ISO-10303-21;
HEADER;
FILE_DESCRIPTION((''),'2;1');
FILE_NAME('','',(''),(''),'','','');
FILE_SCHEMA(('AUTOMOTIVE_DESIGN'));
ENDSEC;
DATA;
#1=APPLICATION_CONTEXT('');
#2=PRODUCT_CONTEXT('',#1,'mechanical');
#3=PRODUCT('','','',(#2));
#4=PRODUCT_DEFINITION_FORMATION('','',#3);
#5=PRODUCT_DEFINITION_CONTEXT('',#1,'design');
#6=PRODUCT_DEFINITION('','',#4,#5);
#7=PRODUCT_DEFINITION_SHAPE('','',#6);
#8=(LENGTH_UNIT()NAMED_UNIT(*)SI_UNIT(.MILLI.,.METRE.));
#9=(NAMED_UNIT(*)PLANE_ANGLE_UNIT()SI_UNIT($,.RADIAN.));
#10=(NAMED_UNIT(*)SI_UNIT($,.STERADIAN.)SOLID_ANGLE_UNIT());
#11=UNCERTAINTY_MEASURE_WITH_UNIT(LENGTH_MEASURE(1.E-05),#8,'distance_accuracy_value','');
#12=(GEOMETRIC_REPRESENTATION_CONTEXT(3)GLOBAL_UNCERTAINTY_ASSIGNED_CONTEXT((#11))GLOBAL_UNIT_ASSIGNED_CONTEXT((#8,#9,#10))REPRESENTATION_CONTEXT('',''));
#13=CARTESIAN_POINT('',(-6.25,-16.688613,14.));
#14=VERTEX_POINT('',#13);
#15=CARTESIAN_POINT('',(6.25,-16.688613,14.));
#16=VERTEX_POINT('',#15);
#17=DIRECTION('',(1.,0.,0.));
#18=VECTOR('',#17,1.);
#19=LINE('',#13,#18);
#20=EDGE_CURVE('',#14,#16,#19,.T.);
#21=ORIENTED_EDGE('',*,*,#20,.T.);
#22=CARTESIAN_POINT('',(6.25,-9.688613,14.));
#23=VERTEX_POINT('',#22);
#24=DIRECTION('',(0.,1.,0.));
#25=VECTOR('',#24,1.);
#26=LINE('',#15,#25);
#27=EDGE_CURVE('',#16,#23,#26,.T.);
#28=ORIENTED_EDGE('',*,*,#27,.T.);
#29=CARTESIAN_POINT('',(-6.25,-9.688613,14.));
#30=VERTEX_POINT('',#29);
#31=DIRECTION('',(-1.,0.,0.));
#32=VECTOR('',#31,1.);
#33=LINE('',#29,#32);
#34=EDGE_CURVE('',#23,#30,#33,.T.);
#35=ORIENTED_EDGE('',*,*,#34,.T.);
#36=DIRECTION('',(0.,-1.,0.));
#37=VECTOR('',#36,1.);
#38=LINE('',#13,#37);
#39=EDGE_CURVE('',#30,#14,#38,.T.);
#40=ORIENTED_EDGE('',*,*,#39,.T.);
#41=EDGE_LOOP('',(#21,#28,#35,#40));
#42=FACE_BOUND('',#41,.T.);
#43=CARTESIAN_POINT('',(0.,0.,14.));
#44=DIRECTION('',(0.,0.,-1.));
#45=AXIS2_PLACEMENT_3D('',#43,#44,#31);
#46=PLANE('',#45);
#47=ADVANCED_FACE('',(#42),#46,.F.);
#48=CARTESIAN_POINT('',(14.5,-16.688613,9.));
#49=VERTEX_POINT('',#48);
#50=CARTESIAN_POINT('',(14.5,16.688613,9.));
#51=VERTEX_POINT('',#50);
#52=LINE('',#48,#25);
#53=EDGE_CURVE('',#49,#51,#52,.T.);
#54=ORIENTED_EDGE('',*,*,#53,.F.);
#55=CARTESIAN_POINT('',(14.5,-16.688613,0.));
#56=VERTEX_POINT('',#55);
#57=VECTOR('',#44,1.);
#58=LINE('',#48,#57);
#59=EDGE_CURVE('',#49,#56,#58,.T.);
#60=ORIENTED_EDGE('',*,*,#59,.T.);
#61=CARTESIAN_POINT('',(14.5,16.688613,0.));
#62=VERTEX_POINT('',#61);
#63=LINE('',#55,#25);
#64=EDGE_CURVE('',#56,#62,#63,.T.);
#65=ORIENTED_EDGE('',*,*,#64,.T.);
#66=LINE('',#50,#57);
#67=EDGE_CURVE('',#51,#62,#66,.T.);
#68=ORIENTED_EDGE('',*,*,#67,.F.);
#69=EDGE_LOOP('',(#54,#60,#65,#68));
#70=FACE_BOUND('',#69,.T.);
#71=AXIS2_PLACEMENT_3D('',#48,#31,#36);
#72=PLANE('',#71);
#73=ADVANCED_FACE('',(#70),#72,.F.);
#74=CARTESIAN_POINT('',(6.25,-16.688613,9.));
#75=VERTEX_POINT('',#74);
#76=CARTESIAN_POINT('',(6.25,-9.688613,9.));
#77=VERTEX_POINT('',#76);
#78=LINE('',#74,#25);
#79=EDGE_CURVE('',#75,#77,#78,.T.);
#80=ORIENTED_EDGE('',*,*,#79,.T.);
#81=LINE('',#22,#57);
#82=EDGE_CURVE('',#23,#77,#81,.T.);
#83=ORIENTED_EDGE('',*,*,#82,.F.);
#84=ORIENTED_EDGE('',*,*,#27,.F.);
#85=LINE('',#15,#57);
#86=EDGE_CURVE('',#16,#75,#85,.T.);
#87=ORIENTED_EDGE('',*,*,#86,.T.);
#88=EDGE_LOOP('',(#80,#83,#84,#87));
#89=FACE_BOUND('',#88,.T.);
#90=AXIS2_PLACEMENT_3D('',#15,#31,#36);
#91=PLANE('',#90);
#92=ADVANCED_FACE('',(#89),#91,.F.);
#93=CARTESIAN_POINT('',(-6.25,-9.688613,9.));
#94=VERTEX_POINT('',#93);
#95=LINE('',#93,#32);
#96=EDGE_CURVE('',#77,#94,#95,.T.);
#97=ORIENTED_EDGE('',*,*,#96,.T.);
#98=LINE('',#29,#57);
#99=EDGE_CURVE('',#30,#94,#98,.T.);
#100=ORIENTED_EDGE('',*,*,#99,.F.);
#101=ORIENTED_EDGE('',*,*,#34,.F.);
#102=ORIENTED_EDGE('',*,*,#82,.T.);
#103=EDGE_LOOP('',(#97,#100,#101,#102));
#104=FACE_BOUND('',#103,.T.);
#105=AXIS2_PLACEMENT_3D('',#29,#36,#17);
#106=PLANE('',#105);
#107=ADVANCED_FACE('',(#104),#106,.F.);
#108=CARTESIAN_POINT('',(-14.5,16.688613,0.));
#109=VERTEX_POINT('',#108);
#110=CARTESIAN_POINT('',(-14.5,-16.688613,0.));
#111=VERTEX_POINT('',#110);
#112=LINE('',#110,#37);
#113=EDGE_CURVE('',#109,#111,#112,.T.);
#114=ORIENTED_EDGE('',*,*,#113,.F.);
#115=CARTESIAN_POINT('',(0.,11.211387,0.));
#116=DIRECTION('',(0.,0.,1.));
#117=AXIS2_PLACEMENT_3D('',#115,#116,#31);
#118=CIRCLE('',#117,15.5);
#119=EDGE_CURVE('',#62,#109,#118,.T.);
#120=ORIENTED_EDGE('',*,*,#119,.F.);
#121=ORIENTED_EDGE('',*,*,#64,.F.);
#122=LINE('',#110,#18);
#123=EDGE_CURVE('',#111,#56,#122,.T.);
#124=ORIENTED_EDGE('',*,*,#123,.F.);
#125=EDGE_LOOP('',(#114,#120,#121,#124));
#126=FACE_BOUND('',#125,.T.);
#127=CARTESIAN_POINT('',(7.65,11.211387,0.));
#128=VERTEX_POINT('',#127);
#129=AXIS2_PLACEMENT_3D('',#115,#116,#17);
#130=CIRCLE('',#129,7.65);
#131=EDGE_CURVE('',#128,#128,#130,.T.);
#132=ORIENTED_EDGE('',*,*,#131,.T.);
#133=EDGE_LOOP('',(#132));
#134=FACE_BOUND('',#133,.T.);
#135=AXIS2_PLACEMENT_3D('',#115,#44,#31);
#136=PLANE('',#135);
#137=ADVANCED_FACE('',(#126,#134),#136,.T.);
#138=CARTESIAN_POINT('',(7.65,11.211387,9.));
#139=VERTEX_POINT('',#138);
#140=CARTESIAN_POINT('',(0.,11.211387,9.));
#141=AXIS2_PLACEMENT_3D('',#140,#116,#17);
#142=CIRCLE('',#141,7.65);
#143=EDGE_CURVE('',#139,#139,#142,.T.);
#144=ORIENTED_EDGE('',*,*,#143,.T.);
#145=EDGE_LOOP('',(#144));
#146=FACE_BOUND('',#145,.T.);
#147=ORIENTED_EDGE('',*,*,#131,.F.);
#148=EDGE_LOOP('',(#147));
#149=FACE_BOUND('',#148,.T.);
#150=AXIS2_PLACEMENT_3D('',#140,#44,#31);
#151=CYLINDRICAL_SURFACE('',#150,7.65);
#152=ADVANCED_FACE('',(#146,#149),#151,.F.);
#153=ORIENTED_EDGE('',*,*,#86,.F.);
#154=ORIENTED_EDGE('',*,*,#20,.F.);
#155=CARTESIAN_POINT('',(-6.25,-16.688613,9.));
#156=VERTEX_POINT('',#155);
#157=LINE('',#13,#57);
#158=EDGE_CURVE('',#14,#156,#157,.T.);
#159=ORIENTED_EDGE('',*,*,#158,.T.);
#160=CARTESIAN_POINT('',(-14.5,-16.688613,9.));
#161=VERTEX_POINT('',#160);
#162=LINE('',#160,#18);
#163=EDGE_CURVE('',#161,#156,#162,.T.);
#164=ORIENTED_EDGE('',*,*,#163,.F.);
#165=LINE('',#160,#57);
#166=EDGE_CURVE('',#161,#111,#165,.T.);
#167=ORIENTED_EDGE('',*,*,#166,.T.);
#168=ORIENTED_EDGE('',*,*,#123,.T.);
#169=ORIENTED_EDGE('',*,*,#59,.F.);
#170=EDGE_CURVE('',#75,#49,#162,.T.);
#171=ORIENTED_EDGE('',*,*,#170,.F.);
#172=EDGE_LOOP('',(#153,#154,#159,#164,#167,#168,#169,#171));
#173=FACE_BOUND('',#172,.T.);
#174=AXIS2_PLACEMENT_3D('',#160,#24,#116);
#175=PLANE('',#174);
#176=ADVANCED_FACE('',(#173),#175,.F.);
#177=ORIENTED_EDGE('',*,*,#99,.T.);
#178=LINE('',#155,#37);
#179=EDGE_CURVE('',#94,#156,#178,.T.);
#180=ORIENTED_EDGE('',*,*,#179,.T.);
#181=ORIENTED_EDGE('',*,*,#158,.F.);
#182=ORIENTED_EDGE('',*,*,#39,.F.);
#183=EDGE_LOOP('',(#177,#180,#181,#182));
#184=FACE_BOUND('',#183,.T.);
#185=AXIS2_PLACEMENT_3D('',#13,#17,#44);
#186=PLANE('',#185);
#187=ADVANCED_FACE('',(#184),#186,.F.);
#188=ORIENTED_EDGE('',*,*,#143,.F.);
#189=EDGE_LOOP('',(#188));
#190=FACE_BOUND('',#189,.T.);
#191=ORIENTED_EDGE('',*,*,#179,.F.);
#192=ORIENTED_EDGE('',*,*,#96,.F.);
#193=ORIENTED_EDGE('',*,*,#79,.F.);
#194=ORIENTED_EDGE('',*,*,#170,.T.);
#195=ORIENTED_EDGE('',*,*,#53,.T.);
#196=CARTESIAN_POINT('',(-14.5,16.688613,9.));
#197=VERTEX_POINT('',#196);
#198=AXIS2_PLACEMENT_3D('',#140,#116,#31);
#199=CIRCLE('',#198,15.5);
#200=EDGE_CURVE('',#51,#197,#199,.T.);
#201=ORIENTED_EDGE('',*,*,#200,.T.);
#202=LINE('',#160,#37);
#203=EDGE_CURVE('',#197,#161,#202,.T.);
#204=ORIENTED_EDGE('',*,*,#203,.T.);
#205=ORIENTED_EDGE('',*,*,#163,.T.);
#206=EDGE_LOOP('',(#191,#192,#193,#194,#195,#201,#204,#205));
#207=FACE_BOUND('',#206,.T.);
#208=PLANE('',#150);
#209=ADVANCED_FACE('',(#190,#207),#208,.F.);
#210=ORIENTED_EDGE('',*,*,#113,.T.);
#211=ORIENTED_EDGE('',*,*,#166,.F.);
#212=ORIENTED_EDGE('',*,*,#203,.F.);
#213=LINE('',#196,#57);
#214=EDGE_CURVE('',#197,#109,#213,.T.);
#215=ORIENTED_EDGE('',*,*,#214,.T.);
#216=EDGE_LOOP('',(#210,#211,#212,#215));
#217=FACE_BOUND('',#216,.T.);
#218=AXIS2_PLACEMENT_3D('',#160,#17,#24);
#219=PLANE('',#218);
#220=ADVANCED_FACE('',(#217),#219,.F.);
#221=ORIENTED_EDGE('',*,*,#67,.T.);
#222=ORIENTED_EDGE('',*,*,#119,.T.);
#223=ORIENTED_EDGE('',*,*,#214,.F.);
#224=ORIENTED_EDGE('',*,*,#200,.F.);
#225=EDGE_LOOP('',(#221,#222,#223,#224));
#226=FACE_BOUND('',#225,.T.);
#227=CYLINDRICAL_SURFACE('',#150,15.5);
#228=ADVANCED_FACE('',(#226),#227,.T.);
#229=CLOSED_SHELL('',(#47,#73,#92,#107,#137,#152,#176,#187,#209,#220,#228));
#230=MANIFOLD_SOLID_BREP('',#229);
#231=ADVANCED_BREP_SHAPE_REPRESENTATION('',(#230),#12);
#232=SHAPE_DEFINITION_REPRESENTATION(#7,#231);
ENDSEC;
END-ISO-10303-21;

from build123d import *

# Parameters (mm, degrees)
SKETCH1_R           = 7.65
BOSS_EXTRUDE1_DEPTH = 9
SKETCH2_W           = 12.5
SKETCH2_H           = 7
BOSS_EXTRUDE2_DEPTH = 5


with BuildPart() as part:
    # Sketch1 → Boss-Extrude1 (new body)
    with BuildSketch(Plane.XY):
        with BuildLine():
            Line((-14.5, -16.688612788), (14.5, -16.688612788))
            Line((14.5, -16.688612788), (14.5, 16.688612788))
            ThreePointArc((14.5, 16.688612788), (0, 26.711387212), (-14.5, 16.688612788))
            Line((-14.5, 16.688612788), (-14.5, -16.688612788))
        make_face()
        with Locations((0, 11.211387212)):
            Circle(SKETCH1_R, mode=Mode.SUBTRACT)
    extrude(amount=BOSS_EXTRUDE1_DEPTH)

    # Sketch2 → Boss-Extrude2 (add)
    with BuildSketch(Plane.XY.offset(9)):
        with Locations((0, -13.188612788)):
            Rectangle(SKETCH2_W, SKETCH2_H)
    extrude(amount=BOSS_EXTRUDE2_DEPTH)


solid = part.part
